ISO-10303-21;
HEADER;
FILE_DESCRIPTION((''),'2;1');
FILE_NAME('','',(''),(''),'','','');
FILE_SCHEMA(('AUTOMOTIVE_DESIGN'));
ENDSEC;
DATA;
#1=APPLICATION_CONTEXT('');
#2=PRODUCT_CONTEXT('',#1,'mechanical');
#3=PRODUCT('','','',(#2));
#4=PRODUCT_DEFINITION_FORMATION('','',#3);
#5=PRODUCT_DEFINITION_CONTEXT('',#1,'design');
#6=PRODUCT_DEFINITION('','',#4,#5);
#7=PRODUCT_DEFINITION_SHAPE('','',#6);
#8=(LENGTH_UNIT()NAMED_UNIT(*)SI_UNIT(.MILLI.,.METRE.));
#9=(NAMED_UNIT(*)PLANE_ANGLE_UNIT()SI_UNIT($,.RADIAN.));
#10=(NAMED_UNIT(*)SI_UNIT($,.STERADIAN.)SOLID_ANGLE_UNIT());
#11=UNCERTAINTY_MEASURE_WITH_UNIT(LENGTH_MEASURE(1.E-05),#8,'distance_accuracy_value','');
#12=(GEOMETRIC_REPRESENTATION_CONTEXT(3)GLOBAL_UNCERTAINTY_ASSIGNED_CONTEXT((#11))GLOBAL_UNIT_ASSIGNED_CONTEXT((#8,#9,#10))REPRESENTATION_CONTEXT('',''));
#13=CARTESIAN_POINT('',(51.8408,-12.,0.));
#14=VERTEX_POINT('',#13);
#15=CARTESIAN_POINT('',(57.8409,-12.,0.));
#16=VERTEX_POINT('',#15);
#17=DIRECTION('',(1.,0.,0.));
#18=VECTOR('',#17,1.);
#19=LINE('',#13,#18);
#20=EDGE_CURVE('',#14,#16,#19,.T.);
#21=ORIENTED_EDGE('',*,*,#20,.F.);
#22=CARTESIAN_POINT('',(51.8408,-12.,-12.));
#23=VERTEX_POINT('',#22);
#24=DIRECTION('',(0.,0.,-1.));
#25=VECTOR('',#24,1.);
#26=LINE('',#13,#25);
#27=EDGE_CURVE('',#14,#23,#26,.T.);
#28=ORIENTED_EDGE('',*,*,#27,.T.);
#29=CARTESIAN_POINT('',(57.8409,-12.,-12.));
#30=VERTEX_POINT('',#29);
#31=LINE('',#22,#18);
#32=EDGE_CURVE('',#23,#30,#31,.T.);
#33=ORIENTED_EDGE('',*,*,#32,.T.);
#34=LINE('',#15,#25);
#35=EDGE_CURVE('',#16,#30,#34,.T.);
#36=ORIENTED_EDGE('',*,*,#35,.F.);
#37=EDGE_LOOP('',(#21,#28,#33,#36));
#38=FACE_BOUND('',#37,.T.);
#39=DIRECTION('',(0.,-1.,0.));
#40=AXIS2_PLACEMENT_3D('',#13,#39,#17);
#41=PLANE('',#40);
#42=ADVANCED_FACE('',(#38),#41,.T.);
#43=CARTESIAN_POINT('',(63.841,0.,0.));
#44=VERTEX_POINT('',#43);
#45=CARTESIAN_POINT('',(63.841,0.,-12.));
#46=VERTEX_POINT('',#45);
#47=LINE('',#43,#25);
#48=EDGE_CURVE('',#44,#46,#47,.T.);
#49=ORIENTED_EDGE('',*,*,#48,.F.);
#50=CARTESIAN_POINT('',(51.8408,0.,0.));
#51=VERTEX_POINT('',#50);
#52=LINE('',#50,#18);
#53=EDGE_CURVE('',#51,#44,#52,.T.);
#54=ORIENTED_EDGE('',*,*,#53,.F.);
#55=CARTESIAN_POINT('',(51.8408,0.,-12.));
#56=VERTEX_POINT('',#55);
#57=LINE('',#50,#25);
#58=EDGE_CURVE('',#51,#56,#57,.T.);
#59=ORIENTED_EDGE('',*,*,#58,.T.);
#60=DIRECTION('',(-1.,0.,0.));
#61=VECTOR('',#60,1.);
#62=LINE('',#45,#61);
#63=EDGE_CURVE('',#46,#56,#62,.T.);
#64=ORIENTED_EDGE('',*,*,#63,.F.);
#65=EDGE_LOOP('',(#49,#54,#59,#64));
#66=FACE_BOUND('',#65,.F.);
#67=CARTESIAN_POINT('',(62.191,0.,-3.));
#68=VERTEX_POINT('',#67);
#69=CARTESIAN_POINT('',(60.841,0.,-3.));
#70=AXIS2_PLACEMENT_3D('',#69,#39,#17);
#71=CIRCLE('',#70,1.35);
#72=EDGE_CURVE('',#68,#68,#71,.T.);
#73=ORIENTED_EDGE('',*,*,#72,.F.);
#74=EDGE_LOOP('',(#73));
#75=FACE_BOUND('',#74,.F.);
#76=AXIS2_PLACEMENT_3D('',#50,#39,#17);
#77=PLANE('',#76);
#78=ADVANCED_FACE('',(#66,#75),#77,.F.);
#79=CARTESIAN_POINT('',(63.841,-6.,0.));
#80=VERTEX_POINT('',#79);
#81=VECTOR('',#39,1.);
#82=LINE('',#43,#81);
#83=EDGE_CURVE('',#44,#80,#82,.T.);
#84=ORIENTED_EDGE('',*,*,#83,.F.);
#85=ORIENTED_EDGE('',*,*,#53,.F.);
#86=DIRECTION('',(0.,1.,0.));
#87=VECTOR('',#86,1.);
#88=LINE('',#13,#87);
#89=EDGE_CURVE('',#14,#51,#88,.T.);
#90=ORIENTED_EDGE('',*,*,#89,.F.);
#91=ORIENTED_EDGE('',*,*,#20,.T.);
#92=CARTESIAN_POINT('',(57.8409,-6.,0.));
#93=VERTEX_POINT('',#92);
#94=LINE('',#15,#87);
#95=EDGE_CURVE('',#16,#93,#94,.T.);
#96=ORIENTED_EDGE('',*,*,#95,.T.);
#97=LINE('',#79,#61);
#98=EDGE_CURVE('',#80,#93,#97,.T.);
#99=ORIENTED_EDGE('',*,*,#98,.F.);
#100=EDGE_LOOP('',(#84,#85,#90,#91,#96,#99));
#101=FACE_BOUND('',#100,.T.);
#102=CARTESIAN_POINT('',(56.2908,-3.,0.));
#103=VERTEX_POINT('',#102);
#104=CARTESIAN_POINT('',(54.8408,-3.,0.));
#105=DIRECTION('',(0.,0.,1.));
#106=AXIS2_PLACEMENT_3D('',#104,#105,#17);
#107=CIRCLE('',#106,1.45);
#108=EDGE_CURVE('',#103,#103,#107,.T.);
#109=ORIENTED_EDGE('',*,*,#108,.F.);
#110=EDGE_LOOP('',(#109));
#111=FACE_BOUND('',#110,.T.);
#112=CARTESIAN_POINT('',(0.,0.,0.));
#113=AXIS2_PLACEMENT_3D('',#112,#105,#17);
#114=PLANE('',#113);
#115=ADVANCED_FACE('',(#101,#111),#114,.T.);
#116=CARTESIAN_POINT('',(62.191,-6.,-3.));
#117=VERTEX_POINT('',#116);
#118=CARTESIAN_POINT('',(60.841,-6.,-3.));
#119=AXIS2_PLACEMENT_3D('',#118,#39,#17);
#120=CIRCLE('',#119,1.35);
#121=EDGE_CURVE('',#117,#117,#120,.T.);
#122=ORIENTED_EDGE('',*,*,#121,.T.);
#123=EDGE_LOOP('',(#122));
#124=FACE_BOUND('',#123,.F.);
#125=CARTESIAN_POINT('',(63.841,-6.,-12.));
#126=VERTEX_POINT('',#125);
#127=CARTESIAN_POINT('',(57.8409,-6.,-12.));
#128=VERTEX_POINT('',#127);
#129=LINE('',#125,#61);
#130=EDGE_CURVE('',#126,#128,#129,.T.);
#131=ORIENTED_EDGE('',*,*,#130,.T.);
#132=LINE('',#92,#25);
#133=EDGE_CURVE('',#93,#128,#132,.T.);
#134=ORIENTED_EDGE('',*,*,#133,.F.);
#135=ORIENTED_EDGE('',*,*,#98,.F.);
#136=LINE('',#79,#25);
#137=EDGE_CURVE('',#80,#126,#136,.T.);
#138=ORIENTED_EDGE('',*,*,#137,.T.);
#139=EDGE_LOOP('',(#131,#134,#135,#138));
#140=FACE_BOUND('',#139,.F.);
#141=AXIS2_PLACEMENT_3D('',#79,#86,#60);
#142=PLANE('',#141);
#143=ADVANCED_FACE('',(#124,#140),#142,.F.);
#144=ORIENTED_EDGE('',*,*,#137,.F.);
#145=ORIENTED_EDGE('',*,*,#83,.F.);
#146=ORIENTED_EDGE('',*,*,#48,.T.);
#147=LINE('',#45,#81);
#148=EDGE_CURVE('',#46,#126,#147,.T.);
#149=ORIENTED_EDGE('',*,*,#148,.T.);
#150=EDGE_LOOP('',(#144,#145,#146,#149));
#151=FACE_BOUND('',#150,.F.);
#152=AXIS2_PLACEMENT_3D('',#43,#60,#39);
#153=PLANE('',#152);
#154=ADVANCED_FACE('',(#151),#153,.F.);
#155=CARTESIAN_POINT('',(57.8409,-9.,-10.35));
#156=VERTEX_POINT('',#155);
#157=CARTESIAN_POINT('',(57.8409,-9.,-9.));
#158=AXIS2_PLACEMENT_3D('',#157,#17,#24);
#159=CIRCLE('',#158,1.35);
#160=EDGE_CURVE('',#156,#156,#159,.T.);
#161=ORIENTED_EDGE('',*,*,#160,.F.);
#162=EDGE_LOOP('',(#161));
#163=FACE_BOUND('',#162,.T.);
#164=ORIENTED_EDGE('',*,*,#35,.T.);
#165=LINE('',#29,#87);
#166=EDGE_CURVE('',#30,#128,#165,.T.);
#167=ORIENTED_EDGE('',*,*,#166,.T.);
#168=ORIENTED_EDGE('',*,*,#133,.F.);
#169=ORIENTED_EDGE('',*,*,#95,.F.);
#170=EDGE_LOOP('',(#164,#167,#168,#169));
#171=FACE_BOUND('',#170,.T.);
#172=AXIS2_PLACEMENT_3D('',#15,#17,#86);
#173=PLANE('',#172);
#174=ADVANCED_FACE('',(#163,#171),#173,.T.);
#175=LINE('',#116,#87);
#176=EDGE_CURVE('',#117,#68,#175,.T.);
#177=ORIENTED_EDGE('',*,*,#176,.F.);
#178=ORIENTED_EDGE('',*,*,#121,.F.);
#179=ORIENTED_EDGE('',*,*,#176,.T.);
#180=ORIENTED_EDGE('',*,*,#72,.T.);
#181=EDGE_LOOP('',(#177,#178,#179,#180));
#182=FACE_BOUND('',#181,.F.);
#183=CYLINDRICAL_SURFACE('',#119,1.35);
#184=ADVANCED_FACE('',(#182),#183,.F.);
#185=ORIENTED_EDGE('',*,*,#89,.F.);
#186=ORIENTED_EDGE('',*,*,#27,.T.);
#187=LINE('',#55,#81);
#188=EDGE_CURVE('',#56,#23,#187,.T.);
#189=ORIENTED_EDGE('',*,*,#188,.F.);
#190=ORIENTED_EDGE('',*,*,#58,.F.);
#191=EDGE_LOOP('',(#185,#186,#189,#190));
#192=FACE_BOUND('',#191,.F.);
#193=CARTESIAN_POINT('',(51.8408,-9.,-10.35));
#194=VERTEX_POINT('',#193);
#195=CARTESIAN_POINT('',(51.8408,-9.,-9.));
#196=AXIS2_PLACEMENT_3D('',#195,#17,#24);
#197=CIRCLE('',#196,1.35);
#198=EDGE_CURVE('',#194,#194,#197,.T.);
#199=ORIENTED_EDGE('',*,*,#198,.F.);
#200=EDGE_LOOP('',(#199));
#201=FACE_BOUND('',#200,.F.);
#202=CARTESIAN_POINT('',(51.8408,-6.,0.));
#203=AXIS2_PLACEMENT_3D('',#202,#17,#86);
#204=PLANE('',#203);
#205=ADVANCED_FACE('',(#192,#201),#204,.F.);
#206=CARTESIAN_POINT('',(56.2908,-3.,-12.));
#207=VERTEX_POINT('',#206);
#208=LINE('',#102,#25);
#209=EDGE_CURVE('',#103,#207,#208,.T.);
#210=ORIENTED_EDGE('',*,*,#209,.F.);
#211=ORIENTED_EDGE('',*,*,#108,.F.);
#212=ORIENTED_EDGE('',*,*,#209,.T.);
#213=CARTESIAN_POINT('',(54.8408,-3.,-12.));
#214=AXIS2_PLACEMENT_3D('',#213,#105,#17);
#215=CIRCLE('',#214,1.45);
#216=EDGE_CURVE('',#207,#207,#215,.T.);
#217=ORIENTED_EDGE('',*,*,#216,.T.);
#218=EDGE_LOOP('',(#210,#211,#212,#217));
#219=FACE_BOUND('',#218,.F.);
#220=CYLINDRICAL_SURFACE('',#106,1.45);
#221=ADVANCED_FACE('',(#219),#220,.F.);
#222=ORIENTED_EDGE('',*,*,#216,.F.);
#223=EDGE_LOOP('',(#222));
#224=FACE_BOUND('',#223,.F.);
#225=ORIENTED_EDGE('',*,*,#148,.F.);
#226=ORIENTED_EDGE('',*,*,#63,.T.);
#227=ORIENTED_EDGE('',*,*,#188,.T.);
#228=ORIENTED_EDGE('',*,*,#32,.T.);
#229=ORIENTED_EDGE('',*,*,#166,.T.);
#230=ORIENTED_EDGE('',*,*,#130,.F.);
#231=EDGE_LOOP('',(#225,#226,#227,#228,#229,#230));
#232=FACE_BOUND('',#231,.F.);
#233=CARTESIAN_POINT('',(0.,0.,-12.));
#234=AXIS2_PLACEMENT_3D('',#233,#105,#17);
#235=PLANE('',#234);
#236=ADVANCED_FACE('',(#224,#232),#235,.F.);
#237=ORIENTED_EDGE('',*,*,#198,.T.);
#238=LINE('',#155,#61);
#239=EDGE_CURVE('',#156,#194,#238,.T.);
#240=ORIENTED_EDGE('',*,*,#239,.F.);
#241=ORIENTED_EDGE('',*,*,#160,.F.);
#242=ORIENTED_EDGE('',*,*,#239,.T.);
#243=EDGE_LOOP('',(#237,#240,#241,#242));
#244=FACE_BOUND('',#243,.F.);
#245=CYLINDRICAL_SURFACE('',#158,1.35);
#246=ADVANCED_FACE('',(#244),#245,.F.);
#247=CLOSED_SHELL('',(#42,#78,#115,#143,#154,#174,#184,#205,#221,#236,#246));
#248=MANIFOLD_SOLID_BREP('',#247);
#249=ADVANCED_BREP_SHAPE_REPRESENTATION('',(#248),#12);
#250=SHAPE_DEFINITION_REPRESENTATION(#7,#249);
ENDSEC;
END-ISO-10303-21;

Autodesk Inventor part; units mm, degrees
ref_plane "YZ Plane" through (0, 0, 0) normal (1, 0, 0) x (0, 1, 0)
ref_plane "XZ Plane" through (0, 0, 0) normal (0, 1, 0) x (-1, 0, 0)
ref_plane "XY Plane" through (0, 0, 0) normal (0, 0, 1) x (1, 0, 0)
sketch "스케치1" plane through (0, 0, 0) normal (0, 0, 1) x (1, 0, 0)
  line L0 (0, 0) -> (63.841, 0) projected
  line L1 (63.841, 0) -> (63.841, 6) projected
  line L2 (0, 6) -> (63.841, 6) projected
  line L3 (0, 0) -> (0, 6) projected
  line L4 (46.0408, 0) -> (46.0408, -150) projected
  line L5 (46.0408, -150) -> (51.8408, -150) projected
  line L6 (51.8408, -150) -> (51.8408, 0) projected
  line L7 (51.8408, 0) -> (46.0408, 0) projected
  line L8 (51.8408, 0) -> (63.841, 0)
  line L9 (63.841, 0) -> (63.841, -6)
  line L10 (63.841, -6) -> (51.8408, -6)
  line L11 (51.8408, -6) -> (51.8408, 0)
  line L12 (57.8409, 0) -> (51.8408, 0)
  line L13 (51.8408, 0) -> (51.8408, -12)
  line L14 (51.8408, -12) -> (57.8409, -12)
  line L15 (57.8409, -12) -> (57.8409, 0)
  point P0 (57.8409, -6)
extrude "돌출1" add sketch "스케치1" against normal blind 12 contours L0 L15 L10 L6 | L0 L9 L10 L15 | L10 L15 L14 L6
sketch "스케치2" plane through (0, 0, 0) normal (0, 0, 1) x (1, 0, 0)
  line L0 (63.841, -6) -> (57.8409, -6) projected
  line L1 (51.8408, 0) -> (63.841, 0) projected
  line L2 (57.8409, -6) -> (51.8408, -6)
  line L3 (51.8408, -6) -> (51.8408, 0)
  line L4 (51.8408, 0) -> (57.8409, 0)
  line L5 (57.8409, 0) -> (57.8409, -6)
  circle A0 centre (54.8408, -3) radius 1.45
  point P0 (0, 0)
extrude "돌출2" cut sketch "스케치2" against normal up to next contours A0
sketch "스케치3" plane through (57.8409, -6, 0) normal (0, -1, 0) x (1, 0, 0)
  line L0 (6.0001, 0) -> (-6.0001, 0) projected
  line L1 (0, 0) -> (0, -12) projected
  line L2 (6.0001, 0) -> (0, 0)
  line L3 (0, 0) -> (0, -6)
  line L4 (0, -6) -> (6.0001, -6)
  line L5 (6.0001, -6) -> (6.0001, 0)
  circle A0 centre (3.0001, -3) radius 1.35
  point P0 (-57.8409, 0)
  dimension "d6" = 2.7
extrude "돌출3" cut sketch "스케치3" against normal up to next contours A0
sketch "스케치4" plane through (57.8409, -12, 0) normal (1, 0, 0) x (0, 0, -1)
  line L0 (12, 6) -> (12, 0) projected
  line L1 (0, 6) -> (12, 6) projected
  line L2 (12, 0) -> (6, 0)
  line L3 (6, 0) -> (6, 6)
  line L4 (6, 6) -> (12, 6)
  line L5 (12, 6) -> (12, 0)
  circle A0 centre (9, 3) radius 1.35
  point P0 (0, 12)
  dimension "d9" = 2.7
extrude "돌출4" cut sketch "스케치4" against normal up to next contours A0
properties part number "부품75"
